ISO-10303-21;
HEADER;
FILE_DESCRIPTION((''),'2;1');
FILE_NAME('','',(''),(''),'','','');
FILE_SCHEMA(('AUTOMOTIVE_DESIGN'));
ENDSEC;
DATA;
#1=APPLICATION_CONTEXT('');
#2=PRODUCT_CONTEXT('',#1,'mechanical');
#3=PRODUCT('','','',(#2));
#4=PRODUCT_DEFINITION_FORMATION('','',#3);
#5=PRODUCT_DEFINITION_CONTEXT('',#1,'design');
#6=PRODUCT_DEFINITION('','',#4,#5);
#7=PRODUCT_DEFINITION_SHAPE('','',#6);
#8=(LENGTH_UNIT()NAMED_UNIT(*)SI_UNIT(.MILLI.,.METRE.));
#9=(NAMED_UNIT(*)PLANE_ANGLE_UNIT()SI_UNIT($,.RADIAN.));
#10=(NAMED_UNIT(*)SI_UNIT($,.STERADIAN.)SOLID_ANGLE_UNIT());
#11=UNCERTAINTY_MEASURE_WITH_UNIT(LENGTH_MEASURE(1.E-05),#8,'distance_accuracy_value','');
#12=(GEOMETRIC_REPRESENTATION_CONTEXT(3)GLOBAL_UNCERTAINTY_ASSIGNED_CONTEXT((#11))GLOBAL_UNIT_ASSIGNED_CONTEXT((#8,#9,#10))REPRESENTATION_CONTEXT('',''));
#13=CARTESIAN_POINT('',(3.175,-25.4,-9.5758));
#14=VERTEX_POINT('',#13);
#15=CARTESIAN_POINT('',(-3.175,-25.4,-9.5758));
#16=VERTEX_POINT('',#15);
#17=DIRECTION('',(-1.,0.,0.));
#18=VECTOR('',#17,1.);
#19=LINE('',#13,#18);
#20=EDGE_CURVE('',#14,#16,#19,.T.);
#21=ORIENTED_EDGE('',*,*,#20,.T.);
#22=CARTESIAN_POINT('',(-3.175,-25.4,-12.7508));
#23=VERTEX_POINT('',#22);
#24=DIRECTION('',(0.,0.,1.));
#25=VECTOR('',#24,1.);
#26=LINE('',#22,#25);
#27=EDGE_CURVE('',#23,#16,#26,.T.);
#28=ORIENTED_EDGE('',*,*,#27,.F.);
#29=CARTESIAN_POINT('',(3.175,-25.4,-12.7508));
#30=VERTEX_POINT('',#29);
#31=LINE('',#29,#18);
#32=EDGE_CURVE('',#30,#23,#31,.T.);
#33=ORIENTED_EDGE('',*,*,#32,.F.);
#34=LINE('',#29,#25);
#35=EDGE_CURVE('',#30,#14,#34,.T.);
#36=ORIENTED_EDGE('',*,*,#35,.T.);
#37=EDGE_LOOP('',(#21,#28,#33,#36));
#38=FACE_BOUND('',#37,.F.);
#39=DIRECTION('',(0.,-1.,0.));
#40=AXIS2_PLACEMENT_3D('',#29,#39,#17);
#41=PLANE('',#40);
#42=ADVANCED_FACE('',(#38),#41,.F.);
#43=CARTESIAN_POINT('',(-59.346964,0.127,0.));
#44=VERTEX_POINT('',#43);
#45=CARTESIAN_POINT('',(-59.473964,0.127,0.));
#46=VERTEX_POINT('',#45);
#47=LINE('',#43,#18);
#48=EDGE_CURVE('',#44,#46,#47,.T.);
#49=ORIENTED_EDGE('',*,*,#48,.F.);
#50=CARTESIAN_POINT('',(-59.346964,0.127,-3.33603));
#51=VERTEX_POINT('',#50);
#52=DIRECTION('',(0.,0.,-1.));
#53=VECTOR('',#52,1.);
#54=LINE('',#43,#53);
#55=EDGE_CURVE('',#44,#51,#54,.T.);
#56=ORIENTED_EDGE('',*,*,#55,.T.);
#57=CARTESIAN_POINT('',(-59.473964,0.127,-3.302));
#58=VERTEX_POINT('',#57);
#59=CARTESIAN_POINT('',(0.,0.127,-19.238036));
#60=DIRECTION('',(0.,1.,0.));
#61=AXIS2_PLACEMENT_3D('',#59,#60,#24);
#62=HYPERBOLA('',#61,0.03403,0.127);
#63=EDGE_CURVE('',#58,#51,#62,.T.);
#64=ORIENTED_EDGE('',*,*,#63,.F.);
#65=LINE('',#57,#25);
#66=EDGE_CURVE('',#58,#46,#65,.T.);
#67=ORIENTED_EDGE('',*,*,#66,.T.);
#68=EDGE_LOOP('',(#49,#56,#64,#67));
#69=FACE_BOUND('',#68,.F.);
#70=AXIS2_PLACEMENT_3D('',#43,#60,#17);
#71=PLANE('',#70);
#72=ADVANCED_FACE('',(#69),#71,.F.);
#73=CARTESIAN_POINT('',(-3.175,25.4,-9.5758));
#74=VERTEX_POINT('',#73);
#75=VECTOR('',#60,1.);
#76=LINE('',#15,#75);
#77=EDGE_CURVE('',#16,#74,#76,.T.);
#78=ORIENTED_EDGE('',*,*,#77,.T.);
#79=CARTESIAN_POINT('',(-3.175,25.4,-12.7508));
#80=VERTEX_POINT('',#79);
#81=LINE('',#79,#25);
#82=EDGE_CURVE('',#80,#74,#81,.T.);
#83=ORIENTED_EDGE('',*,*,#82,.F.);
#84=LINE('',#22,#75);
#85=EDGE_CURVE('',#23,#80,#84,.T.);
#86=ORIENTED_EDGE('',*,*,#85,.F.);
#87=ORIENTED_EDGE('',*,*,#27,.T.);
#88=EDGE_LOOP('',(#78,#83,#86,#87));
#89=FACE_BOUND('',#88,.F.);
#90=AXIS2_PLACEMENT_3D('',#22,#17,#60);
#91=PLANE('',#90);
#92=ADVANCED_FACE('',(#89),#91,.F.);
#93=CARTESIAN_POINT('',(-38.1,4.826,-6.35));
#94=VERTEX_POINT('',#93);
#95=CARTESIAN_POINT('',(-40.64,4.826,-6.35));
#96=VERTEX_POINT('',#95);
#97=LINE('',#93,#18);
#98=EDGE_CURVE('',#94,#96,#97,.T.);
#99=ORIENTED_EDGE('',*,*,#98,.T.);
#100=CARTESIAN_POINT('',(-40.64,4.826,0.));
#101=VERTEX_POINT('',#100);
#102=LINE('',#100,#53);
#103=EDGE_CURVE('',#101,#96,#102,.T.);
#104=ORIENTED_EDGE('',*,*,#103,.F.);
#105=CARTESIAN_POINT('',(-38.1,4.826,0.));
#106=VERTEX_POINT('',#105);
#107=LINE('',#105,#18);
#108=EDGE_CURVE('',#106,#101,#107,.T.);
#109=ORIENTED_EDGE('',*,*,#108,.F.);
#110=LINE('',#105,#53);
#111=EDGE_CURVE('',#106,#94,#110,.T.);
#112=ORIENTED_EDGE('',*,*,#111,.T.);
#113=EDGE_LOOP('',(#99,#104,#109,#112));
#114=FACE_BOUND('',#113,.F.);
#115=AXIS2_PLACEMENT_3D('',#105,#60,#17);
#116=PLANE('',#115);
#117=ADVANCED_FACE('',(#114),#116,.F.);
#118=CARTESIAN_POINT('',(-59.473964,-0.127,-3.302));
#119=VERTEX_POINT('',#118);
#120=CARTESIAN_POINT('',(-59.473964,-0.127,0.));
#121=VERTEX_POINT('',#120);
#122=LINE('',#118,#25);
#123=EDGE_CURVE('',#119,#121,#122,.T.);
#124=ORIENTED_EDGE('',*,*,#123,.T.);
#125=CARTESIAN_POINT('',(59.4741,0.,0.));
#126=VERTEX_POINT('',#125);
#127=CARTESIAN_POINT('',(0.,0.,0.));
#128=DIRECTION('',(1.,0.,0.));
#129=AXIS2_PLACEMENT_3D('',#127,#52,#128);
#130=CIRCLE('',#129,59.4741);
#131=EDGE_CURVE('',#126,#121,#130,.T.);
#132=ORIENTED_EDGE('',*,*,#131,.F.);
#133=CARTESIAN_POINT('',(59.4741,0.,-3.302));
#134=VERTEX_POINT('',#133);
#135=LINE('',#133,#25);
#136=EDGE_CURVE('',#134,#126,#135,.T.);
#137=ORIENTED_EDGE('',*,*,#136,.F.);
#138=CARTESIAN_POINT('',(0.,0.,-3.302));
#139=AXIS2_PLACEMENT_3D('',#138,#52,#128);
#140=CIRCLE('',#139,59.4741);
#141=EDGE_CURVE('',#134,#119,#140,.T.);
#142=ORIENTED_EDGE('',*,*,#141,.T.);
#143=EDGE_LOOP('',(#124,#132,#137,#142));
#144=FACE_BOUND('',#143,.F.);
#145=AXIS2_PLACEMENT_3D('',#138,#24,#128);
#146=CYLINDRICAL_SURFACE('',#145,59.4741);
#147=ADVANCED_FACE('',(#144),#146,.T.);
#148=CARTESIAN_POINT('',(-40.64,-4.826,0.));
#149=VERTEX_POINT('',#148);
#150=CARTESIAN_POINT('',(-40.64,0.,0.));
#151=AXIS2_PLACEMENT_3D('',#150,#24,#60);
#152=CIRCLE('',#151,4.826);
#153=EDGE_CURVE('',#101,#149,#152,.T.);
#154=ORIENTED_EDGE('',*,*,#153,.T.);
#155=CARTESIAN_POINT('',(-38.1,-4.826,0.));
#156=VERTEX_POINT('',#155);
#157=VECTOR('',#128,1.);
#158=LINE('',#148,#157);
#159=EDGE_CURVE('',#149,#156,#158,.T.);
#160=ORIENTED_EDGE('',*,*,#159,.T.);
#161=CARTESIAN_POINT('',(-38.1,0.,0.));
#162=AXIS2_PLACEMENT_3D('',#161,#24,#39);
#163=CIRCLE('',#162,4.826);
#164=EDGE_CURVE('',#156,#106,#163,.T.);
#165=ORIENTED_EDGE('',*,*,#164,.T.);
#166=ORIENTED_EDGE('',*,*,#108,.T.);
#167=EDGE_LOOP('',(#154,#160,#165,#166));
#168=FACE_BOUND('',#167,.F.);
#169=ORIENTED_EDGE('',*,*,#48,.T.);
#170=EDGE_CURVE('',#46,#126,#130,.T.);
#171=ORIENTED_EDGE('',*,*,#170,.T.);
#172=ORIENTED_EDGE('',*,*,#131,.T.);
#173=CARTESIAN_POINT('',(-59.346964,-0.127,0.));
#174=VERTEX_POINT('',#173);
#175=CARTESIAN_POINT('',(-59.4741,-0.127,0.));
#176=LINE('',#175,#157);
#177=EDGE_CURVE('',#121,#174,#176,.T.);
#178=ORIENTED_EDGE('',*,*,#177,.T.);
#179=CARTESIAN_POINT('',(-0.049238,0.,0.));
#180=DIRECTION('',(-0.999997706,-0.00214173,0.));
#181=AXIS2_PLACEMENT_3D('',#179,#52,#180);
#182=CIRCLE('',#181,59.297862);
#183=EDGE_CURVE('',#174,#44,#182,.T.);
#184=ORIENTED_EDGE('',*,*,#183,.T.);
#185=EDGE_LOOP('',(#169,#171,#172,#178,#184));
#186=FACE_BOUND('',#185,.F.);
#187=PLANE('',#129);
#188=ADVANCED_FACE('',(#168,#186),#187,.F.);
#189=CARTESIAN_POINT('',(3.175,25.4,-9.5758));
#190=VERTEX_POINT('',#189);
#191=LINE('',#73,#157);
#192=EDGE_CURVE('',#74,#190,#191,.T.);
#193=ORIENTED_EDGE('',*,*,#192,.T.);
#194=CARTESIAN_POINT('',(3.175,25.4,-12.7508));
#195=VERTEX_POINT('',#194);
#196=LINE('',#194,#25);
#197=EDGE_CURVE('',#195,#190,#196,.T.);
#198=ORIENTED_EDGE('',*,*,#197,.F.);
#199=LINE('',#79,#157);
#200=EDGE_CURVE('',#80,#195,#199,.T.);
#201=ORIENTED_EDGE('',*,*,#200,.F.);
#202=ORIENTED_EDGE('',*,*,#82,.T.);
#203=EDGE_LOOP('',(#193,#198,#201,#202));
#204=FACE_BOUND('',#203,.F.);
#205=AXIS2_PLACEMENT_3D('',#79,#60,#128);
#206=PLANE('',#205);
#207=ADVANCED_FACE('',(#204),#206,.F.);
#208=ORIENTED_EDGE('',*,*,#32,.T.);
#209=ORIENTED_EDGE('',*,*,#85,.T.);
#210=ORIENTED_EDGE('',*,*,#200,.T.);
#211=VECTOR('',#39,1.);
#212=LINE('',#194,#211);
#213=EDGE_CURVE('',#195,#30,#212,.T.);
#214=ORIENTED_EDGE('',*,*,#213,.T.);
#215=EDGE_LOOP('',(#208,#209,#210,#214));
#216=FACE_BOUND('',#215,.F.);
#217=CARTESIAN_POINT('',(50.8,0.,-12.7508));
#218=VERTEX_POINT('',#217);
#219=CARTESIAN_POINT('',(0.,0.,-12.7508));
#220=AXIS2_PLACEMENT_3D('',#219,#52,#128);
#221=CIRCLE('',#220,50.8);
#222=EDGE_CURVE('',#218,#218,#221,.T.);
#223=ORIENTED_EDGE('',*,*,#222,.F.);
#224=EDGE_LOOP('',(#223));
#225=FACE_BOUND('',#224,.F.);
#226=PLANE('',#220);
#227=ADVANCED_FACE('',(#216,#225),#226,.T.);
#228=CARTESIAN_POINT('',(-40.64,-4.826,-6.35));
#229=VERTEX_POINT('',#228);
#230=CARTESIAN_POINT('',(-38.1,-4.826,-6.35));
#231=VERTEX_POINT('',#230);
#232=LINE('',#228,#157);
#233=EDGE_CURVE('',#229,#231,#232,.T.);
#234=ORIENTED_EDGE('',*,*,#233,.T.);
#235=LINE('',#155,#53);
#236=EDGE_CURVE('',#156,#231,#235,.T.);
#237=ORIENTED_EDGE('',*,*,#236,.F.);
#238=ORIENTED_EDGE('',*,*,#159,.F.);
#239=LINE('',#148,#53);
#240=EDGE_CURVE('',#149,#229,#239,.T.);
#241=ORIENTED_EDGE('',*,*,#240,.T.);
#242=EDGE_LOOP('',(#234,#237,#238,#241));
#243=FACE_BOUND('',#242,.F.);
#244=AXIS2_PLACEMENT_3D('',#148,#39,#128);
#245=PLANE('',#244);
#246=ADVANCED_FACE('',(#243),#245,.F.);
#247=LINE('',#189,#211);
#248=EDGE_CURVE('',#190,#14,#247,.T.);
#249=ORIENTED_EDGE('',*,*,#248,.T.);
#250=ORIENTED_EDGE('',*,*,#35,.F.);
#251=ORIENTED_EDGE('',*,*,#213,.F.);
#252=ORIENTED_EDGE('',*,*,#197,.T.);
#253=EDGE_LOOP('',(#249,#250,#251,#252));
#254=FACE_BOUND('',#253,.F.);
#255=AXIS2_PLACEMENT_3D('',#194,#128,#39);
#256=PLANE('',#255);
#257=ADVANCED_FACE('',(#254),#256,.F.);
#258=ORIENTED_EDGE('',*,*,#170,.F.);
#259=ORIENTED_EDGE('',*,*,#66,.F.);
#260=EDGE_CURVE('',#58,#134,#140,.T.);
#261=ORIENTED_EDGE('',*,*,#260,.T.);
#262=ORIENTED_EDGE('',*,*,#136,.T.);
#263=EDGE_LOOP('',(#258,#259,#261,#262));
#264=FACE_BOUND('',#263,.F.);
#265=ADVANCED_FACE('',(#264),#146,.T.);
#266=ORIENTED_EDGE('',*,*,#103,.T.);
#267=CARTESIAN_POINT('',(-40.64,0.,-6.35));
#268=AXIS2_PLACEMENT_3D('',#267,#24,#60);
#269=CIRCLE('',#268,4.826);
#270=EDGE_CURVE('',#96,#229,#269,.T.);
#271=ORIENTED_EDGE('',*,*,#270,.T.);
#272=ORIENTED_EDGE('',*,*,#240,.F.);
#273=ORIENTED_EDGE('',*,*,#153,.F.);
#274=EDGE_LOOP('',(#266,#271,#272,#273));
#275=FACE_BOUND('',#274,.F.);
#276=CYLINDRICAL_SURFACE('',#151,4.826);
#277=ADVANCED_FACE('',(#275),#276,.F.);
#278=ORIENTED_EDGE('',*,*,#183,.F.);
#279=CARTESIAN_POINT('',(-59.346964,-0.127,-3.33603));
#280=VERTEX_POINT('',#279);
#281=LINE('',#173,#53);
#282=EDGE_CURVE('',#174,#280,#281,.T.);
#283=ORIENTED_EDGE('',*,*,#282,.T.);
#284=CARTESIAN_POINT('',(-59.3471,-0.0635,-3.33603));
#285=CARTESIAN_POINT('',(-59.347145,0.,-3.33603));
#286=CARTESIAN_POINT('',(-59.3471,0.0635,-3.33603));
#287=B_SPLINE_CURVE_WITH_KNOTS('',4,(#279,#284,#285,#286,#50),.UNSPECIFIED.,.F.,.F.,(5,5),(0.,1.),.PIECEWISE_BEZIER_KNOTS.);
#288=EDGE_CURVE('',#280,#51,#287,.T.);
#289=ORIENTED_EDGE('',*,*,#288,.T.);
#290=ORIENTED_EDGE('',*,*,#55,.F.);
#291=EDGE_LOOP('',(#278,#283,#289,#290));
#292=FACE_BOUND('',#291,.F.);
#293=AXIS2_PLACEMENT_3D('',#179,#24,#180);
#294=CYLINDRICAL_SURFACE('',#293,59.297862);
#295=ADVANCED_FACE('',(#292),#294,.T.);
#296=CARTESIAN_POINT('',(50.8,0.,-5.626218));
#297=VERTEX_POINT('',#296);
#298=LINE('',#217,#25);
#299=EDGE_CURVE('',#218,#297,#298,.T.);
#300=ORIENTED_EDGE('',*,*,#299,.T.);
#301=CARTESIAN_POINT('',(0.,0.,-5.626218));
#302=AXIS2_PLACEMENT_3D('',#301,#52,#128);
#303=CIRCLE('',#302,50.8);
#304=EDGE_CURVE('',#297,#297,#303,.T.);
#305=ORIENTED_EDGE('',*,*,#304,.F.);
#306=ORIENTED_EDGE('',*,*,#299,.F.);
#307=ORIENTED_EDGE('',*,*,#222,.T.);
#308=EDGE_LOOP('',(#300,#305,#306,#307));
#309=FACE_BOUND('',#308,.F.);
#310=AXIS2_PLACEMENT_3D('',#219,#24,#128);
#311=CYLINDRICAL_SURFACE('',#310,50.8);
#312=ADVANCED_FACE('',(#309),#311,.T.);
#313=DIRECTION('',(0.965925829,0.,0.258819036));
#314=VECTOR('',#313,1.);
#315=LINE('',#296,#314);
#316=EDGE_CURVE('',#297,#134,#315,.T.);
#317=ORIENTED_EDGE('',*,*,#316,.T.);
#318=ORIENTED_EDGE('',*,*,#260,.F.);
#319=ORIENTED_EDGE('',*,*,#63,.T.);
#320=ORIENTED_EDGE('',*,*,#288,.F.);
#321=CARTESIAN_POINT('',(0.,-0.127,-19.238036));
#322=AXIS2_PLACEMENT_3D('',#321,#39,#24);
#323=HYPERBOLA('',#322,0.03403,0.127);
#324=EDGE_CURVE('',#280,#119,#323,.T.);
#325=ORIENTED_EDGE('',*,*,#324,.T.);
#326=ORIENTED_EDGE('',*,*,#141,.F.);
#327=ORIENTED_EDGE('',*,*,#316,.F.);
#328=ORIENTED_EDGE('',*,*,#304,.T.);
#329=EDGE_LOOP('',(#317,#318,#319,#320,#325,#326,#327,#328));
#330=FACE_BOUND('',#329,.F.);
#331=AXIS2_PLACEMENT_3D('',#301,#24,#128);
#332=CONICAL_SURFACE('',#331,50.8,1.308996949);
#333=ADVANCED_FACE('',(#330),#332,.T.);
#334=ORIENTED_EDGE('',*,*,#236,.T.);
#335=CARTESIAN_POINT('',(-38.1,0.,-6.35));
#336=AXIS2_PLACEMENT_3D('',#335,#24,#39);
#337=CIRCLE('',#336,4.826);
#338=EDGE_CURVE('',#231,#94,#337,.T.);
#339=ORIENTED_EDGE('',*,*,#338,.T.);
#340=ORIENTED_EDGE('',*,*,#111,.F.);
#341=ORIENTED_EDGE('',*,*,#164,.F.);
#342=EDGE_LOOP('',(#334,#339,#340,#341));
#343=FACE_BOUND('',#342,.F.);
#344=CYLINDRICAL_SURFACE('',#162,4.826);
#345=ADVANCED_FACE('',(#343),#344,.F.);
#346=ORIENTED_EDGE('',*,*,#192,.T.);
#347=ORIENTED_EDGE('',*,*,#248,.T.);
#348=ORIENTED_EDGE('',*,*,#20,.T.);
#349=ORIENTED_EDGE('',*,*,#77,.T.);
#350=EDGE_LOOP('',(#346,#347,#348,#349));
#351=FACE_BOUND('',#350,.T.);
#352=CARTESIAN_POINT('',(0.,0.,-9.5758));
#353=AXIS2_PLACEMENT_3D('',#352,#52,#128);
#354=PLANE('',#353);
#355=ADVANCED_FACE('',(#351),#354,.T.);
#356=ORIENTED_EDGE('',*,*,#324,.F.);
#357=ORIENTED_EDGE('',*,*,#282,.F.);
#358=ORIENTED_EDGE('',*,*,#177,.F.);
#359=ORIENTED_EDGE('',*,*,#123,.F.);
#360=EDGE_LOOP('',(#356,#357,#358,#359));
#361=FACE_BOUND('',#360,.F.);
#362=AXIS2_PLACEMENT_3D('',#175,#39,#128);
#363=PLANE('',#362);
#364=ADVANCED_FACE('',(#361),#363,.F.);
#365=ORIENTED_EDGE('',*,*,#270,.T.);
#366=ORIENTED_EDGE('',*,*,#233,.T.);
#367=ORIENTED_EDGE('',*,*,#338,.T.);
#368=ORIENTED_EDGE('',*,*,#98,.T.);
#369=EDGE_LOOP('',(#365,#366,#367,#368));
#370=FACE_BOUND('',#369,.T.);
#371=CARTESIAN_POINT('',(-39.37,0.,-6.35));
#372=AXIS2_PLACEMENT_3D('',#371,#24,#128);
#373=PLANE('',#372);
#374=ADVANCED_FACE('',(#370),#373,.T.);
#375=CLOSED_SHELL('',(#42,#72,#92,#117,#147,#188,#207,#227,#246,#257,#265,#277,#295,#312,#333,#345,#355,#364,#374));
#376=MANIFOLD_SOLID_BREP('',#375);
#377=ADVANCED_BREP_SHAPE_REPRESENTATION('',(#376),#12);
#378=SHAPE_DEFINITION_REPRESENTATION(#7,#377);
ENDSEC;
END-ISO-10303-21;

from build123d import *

# Parameters (mm, degrees)
F3_DEPTH = 6.35
F5_DEPTH = 25.4
F7_DEPTH = 3.175


with BuildPart() as f1:
    # F0 (on Front) → F1 (revolve)
    with BuildSketch(Plane.XZ):
        Polygon((59.4741, 0), (0, 0), (0, -12.7508), (50.8, -12.7508), (50.8, -5.626218), (59.4741, -3.302), align=None)
    revolve(axis=Axis((0, 0, -6.3754), (0, 0, -1)))

    # F2 (on face) → F3 (cut)
    with BuildSketch(Plane.XY):
        with BuildLine():
            Line((-40.64, -4.826), (-38.1, -4.826))
            ThreePointArc((-38.1, -4.826), (-33.274, 0), (-38.1, 4.826))
            Line((-38.1, 4.826), (-40.64, 4.826))
            ThreePointArc((-40.64, 4.826), (-45.466, 0), (-40.64, -4.826))
        make_face()
    extrude(amount=-F3_DEPTH, mode=Mode.SUBTRACT)

    # F4 (on face) → F5 (cut)
    with BuildSketch(Plane.XY):
        with BuildLine():
            ThreePointArc((-59.346964, -0.127), (-59.3471, 0), (-59.346964, 0.127))
            Line((-59.346964, 0.127), (-59.4741, 0.127))
            Line((-59.4741, 0.127), (-59.4741, -0.127))
            Line((-59.4741, -0.127), (-59.346964, -0.127))
        make_face()
    extrude(amount=-F5_DEPTH, mode=Mode.SUBTRACT)

    # F6 (on face) → F7 (cut)
    with BuildSketch(Plane(origin=(0, 0, -12.7508), x_dir=(1, 0, 0), z_dir=(0, 0, -1))):
        Polygon((3.175, -25.4), (3.175, 0), (3.175, 25.4), (-3.175, 25.4), (-3.175, 0), (-3.175, -25.4), align=None)
    extrude(amount=-F7_DEPTH, mode=Mode.SUBTRACT)


solid = f1.part
